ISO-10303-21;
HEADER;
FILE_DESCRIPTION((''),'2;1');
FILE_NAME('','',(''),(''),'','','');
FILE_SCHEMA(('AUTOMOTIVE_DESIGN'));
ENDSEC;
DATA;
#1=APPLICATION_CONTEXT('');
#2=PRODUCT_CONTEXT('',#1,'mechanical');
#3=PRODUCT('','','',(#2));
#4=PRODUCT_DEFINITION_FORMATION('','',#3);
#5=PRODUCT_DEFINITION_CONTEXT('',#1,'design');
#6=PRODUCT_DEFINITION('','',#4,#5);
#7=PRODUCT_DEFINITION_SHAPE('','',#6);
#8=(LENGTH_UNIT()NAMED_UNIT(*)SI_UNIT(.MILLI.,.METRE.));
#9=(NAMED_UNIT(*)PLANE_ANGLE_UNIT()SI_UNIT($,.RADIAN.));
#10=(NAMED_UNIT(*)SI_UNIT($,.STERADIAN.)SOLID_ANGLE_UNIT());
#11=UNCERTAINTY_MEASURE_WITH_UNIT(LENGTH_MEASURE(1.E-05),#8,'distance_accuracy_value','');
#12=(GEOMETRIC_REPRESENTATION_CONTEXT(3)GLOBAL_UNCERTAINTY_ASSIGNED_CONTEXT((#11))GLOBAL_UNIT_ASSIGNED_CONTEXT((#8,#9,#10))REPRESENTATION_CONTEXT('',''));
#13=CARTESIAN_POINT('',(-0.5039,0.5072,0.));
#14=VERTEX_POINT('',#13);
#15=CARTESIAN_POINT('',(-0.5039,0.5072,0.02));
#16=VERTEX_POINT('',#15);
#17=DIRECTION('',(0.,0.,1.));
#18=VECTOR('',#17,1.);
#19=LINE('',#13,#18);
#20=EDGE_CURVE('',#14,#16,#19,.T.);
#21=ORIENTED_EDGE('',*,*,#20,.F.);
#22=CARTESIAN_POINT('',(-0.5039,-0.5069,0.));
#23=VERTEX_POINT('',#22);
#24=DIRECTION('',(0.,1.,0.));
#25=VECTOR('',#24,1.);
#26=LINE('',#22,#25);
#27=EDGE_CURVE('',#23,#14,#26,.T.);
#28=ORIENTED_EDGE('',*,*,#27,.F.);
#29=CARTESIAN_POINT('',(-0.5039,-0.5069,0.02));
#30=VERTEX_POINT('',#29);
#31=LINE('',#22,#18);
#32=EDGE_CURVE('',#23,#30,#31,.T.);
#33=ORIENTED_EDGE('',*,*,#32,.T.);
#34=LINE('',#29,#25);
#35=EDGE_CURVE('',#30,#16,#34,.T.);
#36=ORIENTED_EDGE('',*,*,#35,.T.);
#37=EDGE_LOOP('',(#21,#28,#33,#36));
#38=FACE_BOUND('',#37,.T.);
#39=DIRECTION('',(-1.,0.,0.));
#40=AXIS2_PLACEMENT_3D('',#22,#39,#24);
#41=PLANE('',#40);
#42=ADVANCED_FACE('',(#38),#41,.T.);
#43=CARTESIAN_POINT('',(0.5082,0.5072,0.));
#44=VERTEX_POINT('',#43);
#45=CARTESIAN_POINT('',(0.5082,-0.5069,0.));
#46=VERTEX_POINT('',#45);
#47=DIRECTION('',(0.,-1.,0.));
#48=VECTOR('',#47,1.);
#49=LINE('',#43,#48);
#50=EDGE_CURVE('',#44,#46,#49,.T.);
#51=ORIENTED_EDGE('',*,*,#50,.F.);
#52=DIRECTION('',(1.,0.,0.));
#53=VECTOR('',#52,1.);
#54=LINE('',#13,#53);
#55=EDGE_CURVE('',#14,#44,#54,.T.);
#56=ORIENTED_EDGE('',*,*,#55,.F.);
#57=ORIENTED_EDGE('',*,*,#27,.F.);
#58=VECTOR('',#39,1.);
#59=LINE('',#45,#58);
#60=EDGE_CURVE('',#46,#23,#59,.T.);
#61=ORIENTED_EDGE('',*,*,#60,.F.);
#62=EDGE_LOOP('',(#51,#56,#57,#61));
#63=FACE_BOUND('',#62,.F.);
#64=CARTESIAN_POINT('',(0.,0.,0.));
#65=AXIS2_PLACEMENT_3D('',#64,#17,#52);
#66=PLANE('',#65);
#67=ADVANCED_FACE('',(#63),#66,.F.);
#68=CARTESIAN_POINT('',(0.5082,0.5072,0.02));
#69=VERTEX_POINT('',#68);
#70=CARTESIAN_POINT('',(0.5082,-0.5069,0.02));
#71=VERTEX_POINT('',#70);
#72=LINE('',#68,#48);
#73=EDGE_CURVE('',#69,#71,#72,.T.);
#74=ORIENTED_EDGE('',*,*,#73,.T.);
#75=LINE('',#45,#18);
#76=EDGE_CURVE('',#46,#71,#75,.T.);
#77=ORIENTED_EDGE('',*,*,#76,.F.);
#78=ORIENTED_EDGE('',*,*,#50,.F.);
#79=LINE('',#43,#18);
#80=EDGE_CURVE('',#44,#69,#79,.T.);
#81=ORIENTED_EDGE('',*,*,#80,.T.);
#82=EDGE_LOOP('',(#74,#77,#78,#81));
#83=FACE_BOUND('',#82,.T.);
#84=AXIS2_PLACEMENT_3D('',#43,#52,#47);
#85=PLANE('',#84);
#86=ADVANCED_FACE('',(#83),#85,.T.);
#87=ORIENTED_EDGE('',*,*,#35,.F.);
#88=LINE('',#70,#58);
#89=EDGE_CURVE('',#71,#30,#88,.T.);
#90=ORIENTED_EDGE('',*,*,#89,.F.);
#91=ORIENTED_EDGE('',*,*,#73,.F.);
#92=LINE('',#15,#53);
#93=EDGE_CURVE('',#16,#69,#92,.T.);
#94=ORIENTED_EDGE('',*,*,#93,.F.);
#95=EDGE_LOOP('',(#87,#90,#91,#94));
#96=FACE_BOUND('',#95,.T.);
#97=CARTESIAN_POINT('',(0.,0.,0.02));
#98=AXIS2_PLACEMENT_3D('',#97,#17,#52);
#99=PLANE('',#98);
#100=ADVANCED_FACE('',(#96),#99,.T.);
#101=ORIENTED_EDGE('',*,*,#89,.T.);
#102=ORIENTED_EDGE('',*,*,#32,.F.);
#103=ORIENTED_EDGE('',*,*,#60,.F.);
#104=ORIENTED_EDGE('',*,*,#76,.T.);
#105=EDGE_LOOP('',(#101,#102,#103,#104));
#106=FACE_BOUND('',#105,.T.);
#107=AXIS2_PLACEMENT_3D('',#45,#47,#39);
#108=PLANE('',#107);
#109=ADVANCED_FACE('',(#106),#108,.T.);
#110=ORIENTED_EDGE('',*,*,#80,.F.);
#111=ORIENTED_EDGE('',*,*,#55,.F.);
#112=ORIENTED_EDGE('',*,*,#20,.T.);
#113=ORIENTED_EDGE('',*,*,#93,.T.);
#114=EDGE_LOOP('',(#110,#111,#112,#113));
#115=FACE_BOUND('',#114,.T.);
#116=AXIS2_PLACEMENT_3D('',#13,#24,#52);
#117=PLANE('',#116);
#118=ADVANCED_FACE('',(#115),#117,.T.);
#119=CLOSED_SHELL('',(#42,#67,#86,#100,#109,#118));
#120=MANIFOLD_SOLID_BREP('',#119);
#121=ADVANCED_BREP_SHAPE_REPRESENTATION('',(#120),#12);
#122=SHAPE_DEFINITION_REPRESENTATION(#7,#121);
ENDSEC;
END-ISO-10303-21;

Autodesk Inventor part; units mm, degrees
ref_plane "YZ Plane" through (0, 0, 0) normal (1, 0, 0) x (0, 1, 0)
ref_plane "XZ Plane" through (0, 0, 0) normal (0, 1, 0) x (-1, 0, 0)
ref_plane "XY Plane" through (0, 0, 0) normal (0, 0, 1) x (1, 0, 0)
sketch "FIDUCIAL-1X2, FIDUCIAL_155" plane through (0, 0, 0) normal (0, 0, 1) x (1, 0, 0)
  line L0 (0.5082, -0.5069) -> (-0.5039, -0.5069)
  line L1 (-0.5039, -0.5069) -> (-0.5039, 0.5072)
  line L2 (-0.5039, 0.5072) -> (0.5082, 0.5072)
  line L3 (0.5082, 0.5072) -> (0.5082, -0.5069)
extrude "Extrusion1" add sketch "FIDUCIAL-1X2, FIDUCIAL_155" along normal blind 0.02
properties part number "FIDUCIAL"
